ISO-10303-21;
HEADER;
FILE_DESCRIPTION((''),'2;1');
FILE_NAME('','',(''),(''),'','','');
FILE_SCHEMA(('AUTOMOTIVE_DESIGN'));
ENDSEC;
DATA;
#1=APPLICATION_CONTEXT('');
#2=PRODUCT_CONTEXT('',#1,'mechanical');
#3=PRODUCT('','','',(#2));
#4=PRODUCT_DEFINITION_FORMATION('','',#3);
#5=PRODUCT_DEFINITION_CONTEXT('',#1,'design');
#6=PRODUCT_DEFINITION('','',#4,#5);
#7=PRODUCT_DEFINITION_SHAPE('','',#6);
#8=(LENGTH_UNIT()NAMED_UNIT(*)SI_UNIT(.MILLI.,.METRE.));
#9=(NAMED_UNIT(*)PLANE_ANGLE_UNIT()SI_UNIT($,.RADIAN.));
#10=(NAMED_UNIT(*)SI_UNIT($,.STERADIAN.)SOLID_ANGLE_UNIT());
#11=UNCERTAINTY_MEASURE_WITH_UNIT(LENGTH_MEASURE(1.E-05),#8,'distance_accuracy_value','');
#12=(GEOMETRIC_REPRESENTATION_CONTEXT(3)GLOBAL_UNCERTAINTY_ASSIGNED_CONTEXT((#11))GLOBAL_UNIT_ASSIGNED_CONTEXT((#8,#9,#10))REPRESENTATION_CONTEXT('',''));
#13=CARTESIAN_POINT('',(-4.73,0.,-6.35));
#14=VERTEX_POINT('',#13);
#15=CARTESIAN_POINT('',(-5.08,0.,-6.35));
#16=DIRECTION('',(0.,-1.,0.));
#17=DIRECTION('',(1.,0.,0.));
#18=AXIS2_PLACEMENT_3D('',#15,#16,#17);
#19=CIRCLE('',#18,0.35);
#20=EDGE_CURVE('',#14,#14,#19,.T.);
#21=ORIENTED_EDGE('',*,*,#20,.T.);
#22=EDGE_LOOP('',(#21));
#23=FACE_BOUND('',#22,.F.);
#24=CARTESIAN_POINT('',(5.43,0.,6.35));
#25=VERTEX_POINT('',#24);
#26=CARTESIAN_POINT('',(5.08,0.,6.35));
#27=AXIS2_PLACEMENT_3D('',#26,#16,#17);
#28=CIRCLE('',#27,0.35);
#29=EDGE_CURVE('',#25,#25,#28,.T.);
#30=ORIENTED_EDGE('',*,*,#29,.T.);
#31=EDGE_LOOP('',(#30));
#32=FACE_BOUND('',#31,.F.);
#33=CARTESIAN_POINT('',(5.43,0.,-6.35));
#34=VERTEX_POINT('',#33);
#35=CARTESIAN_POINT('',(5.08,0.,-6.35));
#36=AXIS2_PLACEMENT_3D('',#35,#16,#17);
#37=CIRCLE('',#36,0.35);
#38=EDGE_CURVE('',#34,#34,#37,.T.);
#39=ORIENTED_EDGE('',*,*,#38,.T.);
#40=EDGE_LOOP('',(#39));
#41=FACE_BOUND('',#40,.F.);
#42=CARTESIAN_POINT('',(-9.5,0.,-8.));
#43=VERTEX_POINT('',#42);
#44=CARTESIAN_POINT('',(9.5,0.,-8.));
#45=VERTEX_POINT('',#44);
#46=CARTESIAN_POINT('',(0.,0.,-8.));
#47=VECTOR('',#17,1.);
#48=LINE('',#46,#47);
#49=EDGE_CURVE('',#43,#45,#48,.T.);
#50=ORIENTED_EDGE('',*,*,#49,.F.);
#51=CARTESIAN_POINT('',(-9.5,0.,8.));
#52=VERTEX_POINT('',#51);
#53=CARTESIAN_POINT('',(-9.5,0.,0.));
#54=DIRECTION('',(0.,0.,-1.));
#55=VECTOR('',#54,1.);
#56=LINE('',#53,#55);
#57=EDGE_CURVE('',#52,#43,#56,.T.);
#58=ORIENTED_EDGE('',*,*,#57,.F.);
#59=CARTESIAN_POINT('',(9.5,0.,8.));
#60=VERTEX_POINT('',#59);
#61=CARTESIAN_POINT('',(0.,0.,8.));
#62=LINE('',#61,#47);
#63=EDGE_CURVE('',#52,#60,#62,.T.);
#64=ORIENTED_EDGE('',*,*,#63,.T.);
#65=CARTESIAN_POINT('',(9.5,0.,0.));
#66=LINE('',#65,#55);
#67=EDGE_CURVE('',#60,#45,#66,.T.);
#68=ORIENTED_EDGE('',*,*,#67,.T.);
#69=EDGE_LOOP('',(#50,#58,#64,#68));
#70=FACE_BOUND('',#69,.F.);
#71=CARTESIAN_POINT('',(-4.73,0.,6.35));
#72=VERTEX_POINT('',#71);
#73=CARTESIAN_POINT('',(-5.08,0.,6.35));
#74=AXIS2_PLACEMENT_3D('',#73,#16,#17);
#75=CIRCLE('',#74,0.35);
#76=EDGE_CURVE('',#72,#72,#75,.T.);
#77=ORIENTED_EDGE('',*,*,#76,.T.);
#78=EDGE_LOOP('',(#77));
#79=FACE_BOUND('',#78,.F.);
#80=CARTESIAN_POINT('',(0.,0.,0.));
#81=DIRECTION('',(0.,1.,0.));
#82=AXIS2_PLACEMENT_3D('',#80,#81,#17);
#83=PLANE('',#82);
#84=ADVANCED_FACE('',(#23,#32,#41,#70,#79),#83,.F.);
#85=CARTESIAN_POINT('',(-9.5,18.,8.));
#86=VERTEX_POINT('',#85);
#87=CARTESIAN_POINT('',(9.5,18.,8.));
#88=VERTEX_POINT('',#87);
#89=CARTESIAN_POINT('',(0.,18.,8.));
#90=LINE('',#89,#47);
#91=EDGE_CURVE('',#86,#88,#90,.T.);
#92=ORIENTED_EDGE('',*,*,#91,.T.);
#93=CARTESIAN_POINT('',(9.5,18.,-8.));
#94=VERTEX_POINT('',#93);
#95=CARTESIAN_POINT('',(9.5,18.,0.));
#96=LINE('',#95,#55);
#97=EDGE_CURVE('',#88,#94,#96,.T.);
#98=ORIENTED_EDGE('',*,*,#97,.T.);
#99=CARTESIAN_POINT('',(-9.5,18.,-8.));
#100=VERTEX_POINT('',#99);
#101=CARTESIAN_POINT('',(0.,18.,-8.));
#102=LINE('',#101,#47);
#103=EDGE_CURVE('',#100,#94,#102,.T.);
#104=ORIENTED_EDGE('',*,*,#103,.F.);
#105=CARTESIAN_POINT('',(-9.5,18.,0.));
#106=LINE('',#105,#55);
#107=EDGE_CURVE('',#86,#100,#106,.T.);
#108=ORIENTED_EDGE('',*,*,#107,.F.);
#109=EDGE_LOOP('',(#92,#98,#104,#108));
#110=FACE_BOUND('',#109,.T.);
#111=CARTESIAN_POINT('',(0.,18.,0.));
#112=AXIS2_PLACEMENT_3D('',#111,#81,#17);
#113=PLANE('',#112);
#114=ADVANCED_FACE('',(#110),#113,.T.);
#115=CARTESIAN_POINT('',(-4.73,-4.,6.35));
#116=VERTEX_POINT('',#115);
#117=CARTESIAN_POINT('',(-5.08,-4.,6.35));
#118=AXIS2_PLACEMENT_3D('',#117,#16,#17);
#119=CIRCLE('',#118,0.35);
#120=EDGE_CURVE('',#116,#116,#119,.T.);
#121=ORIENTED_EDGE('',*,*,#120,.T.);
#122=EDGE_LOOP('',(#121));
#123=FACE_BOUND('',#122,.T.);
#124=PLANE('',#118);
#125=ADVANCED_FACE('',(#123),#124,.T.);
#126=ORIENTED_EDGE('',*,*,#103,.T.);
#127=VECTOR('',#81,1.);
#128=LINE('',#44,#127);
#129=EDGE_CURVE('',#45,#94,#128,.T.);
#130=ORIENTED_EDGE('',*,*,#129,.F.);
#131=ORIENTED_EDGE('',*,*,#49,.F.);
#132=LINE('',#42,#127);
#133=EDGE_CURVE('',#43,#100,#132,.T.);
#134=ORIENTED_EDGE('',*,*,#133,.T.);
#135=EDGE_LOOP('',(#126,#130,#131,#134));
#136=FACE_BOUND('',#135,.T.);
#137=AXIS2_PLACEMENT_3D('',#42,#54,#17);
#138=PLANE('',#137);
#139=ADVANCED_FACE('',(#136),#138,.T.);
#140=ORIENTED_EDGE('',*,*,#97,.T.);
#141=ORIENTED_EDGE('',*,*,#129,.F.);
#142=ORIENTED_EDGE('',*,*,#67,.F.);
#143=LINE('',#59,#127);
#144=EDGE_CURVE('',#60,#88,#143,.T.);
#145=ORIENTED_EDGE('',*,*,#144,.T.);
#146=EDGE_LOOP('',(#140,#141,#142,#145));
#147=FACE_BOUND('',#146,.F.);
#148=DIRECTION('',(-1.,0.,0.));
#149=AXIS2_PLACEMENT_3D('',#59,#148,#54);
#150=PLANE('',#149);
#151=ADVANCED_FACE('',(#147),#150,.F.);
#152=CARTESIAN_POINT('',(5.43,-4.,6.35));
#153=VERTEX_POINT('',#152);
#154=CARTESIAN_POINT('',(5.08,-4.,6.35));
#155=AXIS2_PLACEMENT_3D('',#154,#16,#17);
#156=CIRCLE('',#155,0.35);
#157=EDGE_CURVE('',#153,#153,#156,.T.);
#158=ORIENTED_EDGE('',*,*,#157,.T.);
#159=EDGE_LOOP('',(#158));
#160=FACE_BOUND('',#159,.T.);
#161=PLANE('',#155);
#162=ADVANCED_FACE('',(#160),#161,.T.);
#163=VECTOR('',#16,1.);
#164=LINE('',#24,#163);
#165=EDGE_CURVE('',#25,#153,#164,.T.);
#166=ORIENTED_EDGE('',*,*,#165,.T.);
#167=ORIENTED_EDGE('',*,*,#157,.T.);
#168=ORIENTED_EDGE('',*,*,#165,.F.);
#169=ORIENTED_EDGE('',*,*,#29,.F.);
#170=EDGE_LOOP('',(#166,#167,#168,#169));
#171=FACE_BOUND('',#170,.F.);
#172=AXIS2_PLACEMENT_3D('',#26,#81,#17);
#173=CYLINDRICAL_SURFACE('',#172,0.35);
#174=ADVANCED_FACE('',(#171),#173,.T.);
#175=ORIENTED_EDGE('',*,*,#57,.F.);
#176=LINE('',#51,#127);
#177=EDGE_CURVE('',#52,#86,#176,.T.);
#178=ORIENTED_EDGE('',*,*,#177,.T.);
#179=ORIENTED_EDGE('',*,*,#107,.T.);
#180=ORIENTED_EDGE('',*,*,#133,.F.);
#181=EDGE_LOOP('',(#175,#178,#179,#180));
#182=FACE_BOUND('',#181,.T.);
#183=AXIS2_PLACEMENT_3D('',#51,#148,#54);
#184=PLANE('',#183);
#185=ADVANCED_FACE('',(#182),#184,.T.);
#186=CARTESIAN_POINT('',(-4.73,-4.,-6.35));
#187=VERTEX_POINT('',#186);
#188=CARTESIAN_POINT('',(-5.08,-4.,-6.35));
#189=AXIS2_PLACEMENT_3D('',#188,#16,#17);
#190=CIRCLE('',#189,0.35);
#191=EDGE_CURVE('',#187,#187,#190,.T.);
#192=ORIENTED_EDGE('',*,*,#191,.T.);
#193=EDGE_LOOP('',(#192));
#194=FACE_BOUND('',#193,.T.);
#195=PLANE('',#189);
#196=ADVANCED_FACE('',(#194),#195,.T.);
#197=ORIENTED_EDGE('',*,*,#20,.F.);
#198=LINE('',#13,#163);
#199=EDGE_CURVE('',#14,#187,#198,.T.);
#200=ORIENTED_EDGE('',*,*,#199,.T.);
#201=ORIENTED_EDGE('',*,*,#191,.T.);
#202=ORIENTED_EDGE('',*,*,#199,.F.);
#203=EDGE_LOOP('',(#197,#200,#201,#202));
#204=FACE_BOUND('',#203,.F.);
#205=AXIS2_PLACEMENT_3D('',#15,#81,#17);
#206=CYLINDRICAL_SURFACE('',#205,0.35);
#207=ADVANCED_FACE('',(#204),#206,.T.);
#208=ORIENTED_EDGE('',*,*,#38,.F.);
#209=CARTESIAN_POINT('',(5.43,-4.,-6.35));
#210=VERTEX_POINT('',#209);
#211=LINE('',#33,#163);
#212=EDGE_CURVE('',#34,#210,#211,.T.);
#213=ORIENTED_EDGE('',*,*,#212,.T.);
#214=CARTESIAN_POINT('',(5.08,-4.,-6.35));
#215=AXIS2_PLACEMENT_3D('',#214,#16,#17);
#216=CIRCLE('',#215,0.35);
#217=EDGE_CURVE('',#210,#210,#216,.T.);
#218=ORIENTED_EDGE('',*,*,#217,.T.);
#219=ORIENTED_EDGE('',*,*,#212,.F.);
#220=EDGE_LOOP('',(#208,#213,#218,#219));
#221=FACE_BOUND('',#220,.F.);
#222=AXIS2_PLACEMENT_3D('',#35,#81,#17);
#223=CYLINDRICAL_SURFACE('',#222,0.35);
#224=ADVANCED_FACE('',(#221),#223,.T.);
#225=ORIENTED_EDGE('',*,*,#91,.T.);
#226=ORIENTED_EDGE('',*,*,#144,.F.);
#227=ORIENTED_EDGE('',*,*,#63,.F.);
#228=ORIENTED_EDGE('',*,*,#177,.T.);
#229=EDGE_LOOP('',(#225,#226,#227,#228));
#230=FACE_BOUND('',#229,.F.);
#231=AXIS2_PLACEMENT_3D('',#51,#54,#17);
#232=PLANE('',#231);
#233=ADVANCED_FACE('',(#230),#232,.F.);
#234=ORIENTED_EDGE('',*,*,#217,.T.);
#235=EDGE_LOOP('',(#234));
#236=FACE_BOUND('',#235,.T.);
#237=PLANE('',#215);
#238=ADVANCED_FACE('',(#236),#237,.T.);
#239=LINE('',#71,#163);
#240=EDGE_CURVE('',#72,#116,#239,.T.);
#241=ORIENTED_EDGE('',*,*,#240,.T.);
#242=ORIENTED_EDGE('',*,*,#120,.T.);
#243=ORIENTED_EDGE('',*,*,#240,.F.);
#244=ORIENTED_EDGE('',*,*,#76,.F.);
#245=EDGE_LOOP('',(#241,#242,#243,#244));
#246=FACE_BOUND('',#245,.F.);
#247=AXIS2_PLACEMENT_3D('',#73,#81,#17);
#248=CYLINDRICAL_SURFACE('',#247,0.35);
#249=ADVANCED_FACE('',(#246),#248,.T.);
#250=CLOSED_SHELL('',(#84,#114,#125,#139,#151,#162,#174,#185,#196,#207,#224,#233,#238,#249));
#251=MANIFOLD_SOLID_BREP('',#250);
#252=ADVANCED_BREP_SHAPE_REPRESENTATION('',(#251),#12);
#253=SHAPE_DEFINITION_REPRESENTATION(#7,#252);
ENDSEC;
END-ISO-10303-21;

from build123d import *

# Parameters (mm, degrees)
CROQUIS1_W              = 19
CROQUIS1_H              = 16
SALIENTE_EXTRUIR1_DEPTH = 18
CROQUIS2_R              = 0.35
SALIENTE_EXTRUIR2_DEPTH = 4


with BuildPart() as part:
    # Croquis1 → Saliente-Extruir1 (new body)
    with BuildSketch(Plane(origin=(0, 0, 0), x_dir=(1, 0, 0), z_dir=(0, 1, 0))):
        Rectangle(CROQUIS1_W, CROQUIS1_H)
    extrude(amount=SALIENTE_EXTRUIR1_DEPTH)

    # Croquis2 → Saliente-Extruir2 (add)
    with BuildSketch(Plane.XZ):
        with Locations((-5.08, 6.35)):
            Circle(CROQUIS2_R)
        with Locations((5.08, 6.35)):
            Circle(CROQUIS2_R)
        with Locations((5.08, -6.35)):
            Circle(CROQUIS2_R)
        with Locations((-5.08, -6.35)):
            Circle(CROQUIS2_R)
    extrude(amount=SALIENTE_EXTRUIR2_DEPTH)


solid = part.part
